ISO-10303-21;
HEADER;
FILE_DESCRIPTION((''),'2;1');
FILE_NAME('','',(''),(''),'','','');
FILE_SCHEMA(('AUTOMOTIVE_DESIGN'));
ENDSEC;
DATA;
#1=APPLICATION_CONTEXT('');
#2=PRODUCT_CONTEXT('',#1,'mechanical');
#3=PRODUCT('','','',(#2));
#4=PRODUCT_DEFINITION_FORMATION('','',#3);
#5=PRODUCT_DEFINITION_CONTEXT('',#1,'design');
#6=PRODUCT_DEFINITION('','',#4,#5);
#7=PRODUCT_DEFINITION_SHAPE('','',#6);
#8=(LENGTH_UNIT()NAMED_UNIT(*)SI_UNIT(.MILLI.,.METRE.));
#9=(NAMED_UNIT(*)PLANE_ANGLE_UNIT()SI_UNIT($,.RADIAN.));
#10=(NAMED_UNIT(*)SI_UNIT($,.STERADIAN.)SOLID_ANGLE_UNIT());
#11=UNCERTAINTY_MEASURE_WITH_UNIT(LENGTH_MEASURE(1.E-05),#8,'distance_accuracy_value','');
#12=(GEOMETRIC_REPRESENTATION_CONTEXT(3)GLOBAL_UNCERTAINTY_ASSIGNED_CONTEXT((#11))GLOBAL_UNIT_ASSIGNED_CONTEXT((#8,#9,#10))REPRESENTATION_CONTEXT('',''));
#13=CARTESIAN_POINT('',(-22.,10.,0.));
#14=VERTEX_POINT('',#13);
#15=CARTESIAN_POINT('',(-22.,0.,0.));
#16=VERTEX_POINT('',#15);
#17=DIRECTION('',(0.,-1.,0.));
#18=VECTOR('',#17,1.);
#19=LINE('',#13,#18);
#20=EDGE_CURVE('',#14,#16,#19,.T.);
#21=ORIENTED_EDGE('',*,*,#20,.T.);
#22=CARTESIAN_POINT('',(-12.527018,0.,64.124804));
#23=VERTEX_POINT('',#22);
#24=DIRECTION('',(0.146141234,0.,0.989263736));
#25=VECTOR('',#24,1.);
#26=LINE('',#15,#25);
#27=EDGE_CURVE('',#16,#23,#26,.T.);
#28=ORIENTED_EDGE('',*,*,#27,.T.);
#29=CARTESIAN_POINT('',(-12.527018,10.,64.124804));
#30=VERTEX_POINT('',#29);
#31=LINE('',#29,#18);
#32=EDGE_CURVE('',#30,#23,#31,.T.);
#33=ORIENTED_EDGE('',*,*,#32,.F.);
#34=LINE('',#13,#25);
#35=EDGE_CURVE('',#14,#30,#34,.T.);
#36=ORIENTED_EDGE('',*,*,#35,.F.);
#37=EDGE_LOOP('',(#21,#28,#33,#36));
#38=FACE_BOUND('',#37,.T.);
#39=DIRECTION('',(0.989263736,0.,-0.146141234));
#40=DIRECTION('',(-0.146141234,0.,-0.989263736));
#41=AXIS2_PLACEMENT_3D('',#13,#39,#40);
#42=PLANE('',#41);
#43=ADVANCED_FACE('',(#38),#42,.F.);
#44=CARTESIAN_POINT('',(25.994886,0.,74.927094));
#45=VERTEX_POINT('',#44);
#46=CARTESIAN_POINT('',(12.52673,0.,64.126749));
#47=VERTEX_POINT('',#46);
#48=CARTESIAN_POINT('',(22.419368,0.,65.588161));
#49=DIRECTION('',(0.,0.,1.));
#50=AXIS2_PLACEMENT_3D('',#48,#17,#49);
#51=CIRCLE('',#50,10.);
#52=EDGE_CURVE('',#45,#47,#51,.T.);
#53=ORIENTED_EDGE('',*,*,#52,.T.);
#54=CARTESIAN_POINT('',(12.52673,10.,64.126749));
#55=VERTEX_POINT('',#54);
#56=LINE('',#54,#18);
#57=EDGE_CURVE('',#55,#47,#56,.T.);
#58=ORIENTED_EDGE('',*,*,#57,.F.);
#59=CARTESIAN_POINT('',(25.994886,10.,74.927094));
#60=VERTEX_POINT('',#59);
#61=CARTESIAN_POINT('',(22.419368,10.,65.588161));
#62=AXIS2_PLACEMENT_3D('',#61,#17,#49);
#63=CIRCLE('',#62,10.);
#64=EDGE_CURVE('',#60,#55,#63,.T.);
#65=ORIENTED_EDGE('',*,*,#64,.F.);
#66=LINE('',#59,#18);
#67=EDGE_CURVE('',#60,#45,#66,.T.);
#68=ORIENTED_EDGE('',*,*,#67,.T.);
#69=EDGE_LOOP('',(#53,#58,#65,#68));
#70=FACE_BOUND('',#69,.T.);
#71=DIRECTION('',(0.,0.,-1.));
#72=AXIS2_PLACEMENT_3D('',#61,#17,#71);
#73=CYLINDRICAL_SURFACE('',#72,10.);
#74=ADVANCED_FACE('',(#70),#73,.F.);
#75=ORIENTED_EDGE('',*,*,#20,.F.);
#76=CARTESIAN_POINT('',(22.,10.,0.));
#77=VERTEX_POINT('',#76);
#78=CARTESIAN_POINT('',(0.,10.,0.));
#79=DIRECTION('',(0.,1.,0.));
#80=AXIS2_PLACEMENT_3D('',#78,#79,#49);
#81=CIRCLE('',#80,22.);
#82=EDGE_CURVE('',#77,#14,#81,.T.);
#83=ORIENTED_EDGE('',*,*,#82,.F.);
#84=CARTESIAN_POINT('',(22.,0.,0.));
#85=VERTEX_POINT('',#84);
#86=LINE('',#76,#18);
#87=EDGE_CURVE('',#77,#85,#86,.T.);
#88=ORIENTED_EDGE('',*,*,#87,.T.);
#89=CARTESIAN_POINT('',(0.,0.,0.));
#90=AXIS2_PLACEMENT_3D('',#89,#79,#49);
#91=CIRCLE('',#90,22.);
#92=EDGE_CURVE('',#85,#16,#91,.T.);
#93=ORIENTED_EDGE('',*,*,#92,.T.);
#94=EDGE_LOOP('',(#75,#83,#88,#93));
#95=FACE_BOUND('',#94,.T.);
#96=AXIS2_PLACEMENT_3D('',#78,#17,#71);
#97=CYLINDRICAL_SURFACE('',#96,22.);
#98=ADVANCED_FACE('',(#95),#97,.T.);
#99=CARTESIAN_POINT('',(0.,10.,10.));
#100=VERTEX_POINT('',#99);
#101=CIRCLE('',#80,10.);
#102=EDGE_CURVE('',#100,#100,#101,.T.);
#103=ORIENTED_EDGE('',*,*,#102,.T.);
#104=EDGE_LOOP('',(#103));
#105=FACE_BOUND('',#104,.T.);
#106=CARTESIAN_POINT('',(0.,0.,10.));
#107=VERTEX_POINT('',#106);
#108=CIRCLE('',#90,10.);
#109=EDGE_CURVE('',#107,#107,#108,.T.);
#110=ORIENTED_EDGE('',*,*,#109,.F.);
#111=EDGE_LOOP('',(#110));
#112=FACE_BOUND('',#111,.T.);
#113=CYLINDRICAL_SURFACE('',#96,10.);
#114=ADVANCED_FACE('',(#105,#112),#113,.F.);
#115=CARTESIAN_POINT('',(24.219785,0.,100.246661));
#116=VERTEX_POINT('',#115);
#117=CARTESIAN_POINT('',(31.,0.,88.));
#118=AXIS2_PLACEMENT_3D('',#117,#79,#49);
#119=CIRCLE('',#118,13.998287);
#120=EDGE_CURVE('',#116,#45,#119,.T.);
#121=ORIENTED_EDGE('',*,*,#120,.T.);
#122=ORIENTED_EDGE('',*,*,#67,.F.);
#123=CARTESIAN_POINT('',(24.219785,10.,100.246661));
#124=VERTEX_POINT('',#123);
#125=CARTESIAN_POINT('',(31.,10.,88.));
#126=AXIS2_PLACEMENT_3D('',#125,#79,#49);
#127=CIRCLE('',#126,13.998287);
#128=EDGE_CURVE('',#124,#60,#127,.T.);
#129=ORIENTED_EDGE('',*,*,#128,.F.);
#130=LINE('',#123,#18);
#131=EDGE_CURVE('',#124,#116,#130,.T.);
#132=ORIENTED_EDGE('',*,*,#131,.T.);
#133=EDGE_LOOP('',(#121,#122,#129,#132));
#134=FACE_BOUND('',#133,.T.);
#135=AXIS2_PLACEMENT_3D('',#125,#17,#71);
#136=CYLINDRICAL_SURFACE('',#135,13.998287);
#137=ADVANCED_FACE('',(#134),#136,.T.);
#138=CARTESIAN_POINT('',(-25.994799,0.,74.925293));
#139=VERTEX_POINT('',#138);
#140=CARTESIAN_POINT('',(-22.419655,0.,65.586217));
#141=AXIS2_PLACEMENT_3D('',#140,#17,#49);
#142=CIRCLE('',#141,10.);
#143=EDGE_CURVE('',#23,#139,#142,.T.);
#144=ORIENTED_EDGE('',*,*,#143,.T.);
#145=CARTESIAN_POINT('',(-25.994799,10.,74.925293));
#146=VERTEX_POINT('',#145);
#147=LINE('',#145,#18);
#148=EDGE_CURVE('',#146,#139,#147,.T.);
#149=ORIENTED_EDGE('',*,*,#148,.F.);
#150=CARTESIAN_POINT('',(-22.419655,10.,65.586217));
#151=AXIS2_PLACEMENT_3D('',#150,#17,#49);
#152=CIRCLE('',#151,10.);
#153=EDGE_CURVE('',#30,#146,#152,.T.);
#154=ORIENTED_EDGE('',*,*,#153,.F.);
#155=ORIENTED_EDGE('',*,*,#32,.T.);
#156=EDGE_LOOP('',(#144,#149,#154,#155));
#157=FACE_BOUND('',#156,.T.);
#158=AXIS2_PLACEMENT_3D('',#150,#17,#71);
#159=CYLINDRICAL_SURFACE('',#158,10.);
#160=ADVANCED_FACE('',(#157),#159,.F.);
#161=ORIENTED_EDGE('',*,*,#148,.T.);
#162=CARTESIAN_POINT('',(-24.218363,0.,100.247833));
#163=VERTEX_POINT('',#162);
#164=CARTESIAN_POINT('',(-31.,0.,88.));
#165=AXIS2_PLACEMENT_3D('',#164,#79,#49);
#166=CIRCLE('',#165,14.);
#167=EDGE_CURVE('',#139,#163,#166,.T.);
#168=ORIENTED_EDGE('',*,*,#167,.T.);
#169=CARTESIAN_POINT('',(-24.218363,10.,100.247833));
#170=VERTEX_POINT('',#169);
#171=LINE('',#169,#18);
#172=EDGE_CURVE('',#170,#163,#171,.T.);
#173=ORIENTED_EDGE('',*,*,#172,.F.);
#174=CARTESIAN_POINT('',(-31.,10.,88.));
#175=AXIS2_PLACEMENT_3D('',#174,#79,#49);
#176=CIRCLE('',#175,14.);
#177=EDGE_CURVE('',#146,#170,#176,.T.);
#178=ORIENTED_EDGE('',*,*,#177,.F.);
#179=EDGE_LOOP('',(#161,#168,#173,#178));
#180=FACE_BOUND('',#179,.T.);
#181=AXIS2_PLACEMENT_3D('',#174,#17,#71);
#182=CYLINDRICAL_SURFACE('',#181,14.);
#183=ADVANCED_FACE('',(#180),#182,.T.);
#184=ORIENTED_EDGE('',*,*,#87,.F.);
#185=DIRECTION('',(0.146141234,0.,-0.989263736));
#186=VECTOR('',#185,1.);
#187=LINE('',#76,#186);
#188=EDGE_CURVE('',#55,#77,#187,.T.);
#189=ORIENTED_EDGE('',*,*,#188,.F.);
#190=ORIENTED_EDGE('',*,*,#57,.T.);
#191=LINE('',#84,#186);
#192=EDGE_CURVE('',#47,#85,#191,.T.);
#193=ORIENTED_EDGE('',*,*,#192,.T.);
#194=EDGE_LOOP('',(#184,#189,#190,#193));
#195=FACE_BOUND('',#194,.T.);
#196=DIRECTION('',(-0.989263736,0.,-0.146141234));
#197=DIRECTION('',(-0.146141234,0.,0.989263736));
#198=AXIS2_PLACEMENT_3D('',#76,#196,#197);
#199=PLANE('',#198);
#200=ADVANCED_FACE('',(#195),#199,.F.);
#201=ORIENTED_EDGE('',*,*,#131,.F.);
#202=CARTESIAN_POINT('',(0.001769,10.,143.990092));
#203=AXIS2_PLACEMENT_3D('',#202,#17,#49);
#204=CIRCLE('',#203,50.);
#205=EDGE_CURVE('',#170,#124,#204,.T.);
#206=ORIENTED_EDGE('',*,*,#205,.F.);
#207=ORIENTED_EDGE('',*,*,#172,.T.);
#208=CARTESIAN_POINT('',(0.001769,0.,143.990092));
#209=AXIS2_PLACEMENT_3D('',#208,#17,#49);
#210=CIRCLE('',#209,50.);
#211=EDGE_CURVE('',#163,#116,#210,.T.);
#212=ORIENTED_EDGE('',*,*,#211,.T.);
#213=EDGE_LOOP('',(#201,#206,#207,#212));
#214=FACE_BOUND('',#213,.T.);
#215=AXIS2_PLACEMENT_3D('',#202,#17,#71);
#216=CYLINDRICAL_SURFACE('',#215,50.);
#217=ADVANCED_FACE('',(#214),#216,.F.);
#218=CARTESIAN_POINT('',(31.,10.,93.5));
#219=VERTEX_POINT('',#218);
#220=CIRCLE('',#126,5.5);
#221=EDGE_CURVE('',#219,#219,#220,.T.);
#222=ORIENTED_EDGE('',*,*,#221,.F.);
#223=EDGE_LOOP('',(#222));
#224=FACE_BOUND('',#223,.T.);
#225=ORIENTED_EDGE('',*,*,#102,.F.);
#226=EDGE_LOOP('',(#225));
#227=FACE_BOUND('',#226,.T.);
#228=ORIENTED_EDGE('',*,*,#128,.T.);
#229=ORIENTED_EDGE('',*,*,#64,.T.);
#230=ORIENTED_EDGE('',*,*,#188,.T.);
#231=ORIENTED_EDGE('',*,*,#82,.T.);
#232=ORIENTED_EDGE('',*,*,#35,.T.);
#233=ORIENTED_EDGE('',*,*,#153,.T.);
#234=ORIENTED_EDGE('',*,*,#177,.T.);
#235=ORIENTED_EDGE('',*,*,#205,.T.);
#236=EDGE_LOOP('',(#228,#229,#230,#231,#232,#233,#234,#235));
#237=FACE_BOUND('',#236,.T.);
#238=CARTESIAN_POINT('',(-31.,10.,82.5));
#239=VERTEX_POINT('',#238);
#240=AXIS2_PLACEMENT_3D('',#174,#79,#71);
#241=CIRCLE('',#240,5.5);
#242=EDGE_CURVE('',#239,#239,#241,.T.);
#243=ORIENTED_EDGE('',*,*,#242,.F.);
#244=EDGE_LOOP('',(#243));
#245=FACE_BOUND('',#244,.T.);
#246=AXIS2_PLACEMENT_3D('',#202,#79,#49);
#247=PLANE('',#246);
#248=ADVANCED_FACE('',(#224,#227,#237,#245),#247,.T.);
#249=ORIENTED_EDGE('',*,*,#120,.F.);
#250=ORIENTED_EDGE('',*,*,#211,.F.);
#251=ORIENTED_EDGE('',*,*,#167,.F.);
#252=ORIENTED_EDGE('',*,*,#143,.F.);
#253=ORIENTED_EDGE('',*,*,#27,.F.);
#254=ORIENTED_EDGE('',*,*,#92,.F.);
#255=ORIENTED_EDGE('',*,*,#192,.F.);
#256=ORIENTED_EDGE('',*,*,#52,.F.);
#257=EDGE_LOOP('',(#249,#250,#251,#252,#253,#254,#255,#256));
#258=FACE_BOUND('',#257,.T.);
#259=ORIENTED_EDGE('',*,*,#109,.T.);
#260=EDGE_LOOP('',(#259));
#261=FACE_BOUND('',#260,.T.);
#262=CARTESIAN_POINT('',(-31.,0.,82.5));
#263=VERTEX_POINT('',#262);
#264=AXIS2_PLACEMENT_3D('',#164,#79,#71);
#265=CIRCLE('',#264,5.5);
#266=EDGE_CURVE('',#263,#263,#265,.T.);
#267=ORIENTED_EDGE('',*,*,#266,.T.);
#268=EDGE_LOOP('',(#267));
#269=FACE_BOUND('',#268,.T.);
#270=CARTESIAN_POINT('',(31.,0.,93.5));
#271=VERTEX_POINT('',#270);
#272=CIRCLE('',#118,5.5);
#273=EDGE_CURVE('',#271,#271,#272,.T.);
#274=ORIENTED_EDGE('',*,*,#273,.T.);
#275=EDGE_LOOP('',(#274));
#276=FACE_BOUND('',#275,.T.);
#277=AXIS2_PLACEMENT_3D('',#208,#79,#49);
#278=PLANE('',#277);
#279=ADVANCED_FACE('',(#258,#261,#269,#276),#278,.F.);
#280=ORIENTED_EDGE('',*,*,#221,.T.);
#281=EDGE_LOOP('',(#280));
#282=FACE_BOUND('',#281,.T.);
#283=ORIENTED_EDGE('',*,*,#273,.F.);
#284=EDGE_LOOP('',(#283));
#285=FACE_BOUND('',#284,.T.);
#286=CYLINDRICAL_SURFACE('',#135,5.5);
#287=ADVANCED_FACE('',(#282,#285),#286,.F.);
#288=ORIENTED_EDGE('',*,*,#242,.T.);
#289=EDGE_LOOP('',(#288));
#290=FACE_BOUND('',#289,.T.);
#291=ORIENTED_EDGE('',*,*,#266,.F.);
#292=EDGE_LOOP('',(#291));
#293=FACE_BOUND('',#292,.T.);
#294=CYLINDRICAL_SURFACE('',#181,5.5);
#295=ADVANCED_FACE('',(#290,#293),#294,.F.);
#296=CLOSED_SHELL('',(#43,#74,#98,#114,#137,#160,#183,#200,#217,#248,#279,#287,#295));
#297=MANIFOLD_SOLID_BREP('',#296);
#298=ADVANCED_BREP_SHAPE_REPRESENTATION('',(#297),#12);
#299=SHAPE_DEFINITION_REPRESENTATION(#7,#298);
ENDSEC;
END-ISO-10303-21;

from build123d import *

# Parameters (mm, degrees)
SKETCH1_R           = 10
SKETCH1_R_2         = 5.5
BOSS_EXTRUDE1_DEPTH = 10


with BuildPart() as part:
    # Sketch1 → Boss-Extrude1 (new body)
    with BuildSketch(Plane(origin=(0, 0, 0), x_dir=(1, 0, 0), z_dir=(0, 1, 0))):
        with BuildLine():
            Line((-22, 0), (-12.527017524, -64.124804454))
            ThreePointArc((-12.527017524, -64.124804454), (-16.163432373, -73.387478219), (-25.994798684, -74.925293128))
            ThreePointArc((-25.994798684, -74.925293128), (-44.965677172, -88.979725021), (-24.218363132, -100.247832518))
            ThreePointArc((-24.218363132, -100.247832518), (0.000559759, -93.990091526), (24.21978519, -100.246661496))
            ThreePointArc((24.21978519, -100.246661496), (44.96401141, -88.978987225), (25.994886362, -74.927094121))
            ThreePointArc((25.994886362, -74.927094121), (16.163301714, -73.389548338), (12.526730263, -64.126748988))
            Line((12.526730263, -64.126748988), (22, 0))
            ThreePointArc((22, 0), (0, 22), (-22, 0))
        make_face()
        with Locations(Location((0, 0, 0), (0, 0, 270))):
            Circle(SKETCH1_R, mode=Mode.SUBTRACT)
        with Locations(Location((31, -88, 0), (0, 0, 270))):
            Circle(SKETCH1_R_2, mode=Mode.SUBTRACT)
        with Locations(Location((-31, -88, 0), (0, 0, 90))):
            Circle(SKETCH1_R_2, mode=Mode.SUBTRACT)
    extrude(amount=BOSS_EXTRUDE1_DEPTH)


solid = part.part
